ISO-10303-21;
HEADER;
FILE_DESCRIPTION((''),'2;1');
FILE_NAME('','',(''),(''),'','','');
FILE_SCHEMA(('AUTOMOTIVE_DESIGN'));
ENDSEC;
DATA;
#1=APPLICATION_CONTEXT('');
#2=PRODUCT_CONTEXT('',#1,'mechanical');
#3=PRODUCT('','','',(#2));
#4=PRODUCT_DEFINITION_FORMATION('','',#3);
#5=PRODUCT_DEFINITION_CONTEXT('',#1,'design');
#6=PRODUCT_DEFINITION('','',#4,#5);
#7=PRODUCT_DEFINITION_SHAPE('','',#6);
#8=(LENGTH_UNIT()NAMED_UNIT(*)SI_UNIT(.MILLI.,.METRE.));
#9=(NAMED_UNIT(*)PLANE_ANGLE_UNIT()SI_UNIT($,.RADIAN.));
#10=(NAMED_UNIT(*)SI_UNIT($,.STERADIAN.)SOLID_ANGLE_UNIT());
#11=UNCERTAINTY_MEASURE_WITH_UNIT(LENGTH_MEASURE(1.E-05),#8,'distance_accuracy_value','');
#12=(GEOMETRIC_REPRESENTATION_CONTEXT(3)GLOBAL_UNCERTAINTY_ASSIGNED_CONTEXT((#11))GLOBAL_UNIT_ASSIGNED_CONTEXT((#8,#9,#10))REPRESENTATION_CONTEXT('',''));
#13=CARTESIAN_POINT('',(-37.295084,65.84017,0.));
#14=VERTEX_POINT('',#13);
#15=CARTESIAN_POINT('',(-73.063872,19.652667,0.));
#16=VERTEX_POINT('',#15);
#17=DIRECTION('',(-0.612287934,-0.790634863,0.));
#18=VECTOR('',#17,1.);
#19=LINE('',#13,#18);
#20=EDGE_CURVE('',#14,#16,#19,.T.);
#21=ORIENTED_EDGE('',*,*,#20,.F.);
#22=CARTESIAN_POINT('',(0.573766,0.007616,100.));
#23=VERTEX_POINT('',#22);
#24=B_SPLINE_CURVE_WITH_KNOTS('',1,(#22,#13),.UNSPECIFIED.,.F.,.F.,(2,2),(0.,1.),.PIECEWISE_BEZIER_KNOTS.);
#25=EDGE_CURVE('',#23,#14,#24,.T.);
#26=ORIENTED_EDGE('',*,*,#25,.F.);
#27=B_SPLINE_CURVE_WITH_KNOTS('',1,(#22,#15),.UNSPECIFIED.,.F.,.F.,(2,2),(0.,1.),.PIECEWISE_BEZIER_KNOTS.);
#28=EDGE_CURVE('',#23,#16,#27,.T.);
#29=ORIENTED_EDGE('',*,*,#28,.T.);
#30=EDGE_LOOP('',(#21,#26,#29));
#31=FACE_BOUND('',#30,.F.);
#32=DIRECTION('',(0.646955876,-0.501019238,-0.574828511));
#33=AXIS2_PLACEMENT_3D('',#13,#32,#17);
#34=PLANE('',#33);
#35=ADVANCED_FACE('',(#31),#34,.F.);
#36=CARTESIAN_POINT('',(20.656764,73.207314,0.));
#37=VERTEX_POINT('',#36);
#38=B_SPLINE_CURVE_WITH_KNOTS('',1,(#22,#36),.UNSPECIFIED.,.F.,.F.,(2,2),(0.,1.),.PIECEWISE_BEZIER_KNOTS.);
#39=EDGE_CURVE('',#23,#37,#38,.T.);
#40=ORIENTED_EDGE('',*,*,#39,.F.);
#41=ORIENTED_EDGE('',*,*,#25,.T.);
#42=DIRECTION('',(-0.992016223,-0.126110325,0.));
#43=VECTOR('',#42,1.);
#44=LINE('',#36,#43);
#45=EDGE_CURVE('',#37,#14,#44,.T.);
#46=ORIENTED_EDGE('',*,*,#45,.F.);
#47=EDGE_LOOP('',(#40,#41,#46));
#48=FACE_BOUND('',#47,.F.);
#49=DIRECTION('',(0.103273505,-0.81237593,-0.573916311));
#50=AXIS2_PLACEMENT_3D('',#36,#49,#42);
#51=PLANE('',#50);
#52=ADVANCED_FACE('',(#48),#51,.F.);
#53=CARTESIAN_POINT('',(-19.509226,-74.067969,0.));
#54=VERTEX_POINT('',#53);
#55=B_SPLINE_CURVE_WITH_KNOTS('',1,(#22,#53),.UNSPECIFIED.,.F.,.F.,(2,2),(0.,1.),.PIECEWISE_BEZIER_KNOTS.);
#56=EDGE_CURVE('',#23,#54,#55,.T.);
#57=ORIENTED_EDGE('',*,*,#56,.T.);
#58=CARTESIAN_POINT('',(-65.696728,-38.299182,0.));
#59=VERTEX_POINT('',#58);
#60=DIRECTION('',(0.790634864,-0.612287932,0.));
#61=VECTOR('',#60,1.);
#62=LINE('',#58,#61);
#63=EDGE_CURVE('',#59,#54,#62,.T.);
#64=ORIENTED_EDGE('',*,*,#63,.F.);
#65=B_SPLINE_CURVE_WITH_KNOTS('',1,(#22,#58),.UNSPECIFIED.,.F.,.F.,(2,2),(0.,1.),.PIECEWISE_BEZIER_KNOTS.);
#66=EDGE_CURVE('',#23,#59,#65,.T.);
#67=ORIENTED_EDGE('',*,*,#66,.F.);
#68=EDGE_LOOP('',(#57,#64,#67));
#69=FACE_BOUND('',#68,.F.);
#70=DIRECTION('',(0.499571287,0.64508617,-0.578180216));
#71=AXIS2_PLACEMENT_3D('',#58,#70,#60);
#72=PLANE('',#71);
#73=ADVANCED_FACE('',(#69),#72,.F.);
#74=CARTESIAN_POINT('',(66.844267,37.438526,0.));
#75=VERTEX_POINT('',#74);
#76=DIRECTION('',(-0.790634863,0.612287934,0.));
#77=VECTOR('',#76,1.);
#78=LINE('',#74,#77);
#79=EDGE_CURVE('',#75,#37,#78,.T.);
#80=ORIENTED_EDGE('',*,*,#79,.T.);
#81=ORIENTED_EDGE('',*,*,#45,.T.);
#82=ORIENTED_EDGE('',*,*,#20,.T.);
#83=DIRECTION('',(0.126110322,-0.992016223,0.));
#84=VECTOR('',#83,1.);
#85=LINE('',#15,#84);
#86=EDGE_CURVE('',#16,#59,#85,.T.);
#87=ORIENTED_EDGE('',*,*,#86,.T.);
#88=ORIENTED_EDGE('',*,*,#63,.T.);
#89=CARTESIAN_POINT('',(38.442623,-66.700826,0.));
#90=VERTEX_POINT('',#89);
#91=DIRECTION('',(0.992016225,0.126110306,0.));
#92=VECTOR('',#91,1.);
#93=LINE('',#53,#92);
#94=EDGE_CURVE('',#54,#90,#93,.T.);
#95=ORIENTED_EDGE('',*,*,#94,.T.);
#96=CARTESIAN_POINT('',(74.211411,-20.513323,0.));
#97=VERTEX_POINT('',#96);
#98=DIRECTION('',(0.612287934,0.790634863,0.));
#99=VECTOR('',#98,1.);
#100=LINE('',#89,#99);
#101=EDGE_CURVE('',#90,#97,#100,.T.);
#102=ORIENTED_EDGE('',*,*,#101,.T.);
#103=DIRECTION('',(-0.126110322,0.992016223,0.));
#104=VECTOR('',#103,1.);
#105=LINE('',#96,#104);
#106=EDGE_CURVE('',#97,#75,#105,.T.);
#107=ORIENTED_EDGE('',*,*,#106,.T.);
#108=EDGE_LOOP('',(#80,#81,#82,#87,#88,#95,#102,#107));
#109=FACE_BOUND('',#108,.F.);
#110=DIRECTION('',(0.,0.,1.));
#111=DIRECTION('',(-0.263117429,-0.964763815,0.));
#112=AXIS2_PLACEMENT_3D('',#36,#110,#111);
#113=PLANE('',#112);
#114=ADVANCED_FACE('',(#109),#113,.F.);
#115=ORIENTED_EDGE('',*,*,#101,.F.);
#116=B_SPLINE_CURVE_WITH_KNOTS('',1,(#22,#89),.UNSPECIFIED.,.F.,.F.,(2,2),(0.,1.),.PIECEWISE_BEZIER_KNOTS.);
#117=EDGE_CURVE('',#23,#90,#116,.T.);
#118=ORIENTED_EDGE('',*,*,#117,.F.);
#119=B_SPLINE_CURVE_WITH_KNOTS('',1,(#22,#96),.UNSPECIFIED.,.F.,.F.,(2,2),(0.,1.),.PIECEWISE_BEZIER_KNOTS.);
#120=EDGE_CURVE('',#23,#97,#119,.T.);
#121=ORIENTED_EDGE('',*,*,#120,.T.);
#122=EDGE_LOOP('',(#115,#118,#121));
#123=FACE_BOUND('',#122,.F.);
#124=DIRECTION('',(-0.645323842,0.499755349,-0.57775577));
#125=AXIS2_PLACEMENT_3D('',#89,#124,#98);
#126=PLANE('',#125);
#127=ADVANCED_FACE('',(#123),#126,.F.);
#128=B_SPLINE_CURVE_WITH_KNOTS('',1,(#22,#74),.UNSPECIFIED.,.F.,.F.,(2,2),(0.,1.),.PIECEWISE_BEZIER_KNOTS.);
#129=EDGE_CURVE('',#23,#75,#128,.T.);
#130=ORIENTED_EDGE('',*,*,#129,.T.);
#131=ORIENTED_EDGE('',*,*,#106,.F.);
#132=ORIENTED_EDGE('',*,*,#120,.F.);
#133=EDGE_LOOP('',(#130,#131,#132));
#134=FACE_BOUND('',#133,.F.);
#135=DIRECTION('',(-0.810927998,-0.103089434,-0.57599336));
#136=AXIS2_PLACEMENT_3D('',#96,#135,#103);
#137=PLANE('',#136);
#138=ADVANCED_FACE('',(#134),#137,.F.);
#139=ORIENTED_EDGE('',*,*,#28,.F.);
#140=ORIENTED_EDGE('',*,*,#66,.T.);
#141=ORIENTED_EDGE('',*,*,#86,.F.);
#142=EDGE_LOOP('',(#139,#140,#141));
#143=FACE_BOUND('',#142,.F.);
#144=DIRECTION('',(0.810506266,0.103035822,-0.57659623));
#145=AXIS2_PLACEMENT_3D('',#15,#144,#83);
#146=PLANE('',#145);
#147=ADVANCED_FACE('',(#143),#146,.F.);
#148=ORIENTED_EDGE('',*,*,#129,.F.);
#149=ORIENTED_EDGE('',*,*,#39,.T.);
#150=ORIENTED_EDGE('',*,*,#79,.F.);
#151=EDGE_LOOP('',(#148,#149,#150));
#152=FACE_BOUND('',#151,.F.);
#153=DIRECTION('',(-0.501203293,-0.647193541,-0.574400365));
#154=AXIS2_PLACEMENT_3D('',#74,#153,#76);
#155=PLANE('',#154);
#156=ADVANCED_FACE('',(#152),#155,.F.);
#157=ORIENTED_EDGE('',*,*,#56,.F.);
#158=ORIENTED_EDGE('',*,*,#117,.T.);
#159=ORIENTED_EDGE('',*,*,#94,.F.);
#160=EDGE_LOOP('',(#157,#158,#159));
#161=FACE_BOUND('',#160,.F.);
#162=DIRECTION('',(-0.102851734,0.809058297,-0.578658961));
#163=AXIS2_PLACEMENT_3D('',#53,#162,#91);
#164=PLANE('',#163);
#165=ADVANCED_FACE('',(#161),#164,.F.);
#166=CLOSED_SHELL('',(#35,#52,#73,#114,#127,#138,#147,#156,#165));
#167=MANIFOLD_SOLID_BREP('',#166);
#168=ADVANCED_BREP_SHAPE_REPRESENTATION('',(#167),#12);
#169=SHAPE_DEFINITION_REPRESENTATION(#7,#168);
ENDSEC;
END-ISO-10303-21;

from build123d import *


with BuildPart() as f3:
    # F0 (on Top) → F3 section 0
    with BuildSketch(Plane.XY, mode=Mode.PRIVATE) as f3_s0:
        Polygon((20.656764, 73.207314), (-37.295084, 65.84017), (-73.063872, 19.652667), (-65.696728, -38.299182), (-19.509226, -74.067969), (38.442623, -66.700826), (74.211411, -20.513323), (66.844267, 37.438526), align=None)
    loft([Vertex(0.573766, 0.007616, 100), f3_s0.sketch])


solid = f3.part
